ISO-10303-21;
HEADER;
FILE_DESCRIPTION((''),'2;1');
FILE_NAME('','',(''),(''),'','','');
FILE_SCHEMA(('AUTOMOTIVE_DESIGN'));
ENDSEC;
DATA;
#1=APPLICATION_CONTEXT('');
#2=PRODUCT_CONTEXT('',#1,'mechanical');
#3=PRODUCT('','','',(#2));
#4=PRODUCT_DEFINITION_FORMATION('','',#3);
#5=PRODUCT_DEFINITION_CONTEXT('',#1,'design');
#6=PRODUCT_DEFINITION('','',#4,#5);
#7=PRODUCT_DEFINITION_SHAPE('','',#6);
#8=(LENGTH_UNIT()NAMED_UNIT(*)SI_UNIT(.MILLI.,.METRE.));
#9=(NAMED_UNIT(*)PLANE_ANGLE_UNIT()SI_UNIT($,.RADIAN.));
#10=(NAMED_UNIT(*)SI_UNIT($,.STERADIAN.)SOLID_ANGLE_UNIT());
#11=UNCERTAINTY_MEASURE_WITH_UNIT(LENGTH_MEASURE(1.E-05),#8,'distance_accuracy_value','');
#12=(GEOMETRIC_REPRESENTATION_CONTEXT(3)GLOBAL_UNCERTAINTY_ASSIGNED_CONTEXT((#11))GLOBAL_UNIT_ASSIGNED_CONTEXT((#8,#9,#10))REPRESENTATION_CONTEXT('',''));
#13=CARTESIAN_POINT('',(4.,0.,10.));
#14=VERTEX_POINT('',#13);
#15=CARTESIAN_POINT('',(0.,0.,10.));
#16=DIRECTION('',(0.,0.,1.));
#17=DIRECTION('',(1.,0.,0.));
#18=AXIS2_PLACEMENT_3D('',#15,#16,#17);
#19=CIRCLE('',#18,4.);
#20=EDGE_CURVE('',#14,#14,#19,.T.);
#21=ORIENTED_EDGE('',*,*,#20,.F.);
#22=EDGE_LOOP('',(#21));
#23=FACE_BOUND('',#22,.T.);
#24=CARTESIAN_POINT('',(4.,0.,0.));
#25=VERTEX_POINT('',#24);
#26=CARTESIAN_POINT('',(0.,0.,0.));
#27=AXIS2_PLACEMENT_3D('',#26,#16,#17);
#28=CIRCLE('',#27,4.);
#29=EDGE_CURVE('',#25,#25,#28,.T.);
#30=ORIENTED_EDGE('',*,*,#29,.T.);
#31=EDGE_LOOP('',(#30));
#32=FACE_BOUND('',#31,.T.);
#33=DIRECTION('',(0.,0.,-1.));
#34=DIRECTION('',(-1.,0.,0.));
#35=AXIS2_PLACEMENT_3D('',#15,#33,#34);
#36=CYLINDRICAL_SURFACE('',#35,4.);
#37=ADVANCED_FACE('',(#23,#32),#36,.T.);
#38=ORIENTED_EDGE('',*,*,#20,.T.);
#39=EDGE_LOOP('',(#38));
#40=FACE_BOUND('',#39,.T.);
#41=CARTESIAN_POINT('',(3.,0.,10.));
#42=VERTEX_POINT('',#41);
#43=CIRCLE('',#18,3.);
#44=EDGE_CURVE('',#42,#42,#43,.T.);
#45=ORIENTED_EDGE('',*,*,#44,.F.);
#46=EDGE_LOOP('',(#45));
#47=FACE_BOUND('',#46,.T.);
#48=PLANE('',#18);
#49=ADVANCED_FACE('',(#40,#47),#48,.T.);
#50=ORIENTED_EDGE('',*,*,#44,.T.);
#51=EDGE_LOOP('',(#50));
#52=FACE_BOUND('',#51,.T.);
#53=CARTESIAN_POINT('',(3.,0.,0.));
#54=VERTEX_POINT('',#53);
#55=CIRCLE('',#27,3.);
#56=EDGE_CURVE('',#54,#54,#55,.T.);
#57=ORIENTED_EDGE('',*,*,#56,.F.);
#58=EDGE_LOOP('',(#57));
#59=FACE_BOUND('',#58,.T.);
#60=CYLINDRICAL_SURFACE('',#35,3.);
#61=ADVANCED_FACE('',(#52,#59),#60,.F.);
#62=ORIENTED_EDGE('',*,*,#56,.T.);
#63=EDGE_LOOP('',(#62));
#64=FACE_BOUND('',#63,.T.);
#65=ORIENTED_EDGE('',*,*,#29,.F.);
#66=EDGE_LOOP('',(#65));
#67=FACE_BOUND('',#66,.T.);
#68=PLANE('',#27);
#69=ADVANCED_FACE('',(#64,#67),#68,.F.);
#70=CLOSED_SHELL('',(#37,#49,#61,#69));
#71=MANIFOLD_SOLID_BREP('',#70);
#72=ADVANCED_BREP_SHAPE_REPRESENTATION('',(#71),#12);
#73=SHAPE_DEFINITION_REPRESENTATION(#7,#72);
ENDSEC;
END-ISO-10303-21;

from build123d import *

# Parameters (mm, degrees)
SKETCH2_R           = 4
SKETCH2_R_2         = 3
BOSS_EXTRUDE1_DEPTH = 10


with BuildPart() as part:
    # Sketch2 → Boss-Extrude1 (new body)
    with BuildSketch(Plane.XY):
        Circle(SKETCH2_R)
        Circle(SKETCH2_R_2, mode=Mode.SUBTRACT)
    extrude(amount=BOSS_EXTRUDE1_DEPTH)


solid = part.part
